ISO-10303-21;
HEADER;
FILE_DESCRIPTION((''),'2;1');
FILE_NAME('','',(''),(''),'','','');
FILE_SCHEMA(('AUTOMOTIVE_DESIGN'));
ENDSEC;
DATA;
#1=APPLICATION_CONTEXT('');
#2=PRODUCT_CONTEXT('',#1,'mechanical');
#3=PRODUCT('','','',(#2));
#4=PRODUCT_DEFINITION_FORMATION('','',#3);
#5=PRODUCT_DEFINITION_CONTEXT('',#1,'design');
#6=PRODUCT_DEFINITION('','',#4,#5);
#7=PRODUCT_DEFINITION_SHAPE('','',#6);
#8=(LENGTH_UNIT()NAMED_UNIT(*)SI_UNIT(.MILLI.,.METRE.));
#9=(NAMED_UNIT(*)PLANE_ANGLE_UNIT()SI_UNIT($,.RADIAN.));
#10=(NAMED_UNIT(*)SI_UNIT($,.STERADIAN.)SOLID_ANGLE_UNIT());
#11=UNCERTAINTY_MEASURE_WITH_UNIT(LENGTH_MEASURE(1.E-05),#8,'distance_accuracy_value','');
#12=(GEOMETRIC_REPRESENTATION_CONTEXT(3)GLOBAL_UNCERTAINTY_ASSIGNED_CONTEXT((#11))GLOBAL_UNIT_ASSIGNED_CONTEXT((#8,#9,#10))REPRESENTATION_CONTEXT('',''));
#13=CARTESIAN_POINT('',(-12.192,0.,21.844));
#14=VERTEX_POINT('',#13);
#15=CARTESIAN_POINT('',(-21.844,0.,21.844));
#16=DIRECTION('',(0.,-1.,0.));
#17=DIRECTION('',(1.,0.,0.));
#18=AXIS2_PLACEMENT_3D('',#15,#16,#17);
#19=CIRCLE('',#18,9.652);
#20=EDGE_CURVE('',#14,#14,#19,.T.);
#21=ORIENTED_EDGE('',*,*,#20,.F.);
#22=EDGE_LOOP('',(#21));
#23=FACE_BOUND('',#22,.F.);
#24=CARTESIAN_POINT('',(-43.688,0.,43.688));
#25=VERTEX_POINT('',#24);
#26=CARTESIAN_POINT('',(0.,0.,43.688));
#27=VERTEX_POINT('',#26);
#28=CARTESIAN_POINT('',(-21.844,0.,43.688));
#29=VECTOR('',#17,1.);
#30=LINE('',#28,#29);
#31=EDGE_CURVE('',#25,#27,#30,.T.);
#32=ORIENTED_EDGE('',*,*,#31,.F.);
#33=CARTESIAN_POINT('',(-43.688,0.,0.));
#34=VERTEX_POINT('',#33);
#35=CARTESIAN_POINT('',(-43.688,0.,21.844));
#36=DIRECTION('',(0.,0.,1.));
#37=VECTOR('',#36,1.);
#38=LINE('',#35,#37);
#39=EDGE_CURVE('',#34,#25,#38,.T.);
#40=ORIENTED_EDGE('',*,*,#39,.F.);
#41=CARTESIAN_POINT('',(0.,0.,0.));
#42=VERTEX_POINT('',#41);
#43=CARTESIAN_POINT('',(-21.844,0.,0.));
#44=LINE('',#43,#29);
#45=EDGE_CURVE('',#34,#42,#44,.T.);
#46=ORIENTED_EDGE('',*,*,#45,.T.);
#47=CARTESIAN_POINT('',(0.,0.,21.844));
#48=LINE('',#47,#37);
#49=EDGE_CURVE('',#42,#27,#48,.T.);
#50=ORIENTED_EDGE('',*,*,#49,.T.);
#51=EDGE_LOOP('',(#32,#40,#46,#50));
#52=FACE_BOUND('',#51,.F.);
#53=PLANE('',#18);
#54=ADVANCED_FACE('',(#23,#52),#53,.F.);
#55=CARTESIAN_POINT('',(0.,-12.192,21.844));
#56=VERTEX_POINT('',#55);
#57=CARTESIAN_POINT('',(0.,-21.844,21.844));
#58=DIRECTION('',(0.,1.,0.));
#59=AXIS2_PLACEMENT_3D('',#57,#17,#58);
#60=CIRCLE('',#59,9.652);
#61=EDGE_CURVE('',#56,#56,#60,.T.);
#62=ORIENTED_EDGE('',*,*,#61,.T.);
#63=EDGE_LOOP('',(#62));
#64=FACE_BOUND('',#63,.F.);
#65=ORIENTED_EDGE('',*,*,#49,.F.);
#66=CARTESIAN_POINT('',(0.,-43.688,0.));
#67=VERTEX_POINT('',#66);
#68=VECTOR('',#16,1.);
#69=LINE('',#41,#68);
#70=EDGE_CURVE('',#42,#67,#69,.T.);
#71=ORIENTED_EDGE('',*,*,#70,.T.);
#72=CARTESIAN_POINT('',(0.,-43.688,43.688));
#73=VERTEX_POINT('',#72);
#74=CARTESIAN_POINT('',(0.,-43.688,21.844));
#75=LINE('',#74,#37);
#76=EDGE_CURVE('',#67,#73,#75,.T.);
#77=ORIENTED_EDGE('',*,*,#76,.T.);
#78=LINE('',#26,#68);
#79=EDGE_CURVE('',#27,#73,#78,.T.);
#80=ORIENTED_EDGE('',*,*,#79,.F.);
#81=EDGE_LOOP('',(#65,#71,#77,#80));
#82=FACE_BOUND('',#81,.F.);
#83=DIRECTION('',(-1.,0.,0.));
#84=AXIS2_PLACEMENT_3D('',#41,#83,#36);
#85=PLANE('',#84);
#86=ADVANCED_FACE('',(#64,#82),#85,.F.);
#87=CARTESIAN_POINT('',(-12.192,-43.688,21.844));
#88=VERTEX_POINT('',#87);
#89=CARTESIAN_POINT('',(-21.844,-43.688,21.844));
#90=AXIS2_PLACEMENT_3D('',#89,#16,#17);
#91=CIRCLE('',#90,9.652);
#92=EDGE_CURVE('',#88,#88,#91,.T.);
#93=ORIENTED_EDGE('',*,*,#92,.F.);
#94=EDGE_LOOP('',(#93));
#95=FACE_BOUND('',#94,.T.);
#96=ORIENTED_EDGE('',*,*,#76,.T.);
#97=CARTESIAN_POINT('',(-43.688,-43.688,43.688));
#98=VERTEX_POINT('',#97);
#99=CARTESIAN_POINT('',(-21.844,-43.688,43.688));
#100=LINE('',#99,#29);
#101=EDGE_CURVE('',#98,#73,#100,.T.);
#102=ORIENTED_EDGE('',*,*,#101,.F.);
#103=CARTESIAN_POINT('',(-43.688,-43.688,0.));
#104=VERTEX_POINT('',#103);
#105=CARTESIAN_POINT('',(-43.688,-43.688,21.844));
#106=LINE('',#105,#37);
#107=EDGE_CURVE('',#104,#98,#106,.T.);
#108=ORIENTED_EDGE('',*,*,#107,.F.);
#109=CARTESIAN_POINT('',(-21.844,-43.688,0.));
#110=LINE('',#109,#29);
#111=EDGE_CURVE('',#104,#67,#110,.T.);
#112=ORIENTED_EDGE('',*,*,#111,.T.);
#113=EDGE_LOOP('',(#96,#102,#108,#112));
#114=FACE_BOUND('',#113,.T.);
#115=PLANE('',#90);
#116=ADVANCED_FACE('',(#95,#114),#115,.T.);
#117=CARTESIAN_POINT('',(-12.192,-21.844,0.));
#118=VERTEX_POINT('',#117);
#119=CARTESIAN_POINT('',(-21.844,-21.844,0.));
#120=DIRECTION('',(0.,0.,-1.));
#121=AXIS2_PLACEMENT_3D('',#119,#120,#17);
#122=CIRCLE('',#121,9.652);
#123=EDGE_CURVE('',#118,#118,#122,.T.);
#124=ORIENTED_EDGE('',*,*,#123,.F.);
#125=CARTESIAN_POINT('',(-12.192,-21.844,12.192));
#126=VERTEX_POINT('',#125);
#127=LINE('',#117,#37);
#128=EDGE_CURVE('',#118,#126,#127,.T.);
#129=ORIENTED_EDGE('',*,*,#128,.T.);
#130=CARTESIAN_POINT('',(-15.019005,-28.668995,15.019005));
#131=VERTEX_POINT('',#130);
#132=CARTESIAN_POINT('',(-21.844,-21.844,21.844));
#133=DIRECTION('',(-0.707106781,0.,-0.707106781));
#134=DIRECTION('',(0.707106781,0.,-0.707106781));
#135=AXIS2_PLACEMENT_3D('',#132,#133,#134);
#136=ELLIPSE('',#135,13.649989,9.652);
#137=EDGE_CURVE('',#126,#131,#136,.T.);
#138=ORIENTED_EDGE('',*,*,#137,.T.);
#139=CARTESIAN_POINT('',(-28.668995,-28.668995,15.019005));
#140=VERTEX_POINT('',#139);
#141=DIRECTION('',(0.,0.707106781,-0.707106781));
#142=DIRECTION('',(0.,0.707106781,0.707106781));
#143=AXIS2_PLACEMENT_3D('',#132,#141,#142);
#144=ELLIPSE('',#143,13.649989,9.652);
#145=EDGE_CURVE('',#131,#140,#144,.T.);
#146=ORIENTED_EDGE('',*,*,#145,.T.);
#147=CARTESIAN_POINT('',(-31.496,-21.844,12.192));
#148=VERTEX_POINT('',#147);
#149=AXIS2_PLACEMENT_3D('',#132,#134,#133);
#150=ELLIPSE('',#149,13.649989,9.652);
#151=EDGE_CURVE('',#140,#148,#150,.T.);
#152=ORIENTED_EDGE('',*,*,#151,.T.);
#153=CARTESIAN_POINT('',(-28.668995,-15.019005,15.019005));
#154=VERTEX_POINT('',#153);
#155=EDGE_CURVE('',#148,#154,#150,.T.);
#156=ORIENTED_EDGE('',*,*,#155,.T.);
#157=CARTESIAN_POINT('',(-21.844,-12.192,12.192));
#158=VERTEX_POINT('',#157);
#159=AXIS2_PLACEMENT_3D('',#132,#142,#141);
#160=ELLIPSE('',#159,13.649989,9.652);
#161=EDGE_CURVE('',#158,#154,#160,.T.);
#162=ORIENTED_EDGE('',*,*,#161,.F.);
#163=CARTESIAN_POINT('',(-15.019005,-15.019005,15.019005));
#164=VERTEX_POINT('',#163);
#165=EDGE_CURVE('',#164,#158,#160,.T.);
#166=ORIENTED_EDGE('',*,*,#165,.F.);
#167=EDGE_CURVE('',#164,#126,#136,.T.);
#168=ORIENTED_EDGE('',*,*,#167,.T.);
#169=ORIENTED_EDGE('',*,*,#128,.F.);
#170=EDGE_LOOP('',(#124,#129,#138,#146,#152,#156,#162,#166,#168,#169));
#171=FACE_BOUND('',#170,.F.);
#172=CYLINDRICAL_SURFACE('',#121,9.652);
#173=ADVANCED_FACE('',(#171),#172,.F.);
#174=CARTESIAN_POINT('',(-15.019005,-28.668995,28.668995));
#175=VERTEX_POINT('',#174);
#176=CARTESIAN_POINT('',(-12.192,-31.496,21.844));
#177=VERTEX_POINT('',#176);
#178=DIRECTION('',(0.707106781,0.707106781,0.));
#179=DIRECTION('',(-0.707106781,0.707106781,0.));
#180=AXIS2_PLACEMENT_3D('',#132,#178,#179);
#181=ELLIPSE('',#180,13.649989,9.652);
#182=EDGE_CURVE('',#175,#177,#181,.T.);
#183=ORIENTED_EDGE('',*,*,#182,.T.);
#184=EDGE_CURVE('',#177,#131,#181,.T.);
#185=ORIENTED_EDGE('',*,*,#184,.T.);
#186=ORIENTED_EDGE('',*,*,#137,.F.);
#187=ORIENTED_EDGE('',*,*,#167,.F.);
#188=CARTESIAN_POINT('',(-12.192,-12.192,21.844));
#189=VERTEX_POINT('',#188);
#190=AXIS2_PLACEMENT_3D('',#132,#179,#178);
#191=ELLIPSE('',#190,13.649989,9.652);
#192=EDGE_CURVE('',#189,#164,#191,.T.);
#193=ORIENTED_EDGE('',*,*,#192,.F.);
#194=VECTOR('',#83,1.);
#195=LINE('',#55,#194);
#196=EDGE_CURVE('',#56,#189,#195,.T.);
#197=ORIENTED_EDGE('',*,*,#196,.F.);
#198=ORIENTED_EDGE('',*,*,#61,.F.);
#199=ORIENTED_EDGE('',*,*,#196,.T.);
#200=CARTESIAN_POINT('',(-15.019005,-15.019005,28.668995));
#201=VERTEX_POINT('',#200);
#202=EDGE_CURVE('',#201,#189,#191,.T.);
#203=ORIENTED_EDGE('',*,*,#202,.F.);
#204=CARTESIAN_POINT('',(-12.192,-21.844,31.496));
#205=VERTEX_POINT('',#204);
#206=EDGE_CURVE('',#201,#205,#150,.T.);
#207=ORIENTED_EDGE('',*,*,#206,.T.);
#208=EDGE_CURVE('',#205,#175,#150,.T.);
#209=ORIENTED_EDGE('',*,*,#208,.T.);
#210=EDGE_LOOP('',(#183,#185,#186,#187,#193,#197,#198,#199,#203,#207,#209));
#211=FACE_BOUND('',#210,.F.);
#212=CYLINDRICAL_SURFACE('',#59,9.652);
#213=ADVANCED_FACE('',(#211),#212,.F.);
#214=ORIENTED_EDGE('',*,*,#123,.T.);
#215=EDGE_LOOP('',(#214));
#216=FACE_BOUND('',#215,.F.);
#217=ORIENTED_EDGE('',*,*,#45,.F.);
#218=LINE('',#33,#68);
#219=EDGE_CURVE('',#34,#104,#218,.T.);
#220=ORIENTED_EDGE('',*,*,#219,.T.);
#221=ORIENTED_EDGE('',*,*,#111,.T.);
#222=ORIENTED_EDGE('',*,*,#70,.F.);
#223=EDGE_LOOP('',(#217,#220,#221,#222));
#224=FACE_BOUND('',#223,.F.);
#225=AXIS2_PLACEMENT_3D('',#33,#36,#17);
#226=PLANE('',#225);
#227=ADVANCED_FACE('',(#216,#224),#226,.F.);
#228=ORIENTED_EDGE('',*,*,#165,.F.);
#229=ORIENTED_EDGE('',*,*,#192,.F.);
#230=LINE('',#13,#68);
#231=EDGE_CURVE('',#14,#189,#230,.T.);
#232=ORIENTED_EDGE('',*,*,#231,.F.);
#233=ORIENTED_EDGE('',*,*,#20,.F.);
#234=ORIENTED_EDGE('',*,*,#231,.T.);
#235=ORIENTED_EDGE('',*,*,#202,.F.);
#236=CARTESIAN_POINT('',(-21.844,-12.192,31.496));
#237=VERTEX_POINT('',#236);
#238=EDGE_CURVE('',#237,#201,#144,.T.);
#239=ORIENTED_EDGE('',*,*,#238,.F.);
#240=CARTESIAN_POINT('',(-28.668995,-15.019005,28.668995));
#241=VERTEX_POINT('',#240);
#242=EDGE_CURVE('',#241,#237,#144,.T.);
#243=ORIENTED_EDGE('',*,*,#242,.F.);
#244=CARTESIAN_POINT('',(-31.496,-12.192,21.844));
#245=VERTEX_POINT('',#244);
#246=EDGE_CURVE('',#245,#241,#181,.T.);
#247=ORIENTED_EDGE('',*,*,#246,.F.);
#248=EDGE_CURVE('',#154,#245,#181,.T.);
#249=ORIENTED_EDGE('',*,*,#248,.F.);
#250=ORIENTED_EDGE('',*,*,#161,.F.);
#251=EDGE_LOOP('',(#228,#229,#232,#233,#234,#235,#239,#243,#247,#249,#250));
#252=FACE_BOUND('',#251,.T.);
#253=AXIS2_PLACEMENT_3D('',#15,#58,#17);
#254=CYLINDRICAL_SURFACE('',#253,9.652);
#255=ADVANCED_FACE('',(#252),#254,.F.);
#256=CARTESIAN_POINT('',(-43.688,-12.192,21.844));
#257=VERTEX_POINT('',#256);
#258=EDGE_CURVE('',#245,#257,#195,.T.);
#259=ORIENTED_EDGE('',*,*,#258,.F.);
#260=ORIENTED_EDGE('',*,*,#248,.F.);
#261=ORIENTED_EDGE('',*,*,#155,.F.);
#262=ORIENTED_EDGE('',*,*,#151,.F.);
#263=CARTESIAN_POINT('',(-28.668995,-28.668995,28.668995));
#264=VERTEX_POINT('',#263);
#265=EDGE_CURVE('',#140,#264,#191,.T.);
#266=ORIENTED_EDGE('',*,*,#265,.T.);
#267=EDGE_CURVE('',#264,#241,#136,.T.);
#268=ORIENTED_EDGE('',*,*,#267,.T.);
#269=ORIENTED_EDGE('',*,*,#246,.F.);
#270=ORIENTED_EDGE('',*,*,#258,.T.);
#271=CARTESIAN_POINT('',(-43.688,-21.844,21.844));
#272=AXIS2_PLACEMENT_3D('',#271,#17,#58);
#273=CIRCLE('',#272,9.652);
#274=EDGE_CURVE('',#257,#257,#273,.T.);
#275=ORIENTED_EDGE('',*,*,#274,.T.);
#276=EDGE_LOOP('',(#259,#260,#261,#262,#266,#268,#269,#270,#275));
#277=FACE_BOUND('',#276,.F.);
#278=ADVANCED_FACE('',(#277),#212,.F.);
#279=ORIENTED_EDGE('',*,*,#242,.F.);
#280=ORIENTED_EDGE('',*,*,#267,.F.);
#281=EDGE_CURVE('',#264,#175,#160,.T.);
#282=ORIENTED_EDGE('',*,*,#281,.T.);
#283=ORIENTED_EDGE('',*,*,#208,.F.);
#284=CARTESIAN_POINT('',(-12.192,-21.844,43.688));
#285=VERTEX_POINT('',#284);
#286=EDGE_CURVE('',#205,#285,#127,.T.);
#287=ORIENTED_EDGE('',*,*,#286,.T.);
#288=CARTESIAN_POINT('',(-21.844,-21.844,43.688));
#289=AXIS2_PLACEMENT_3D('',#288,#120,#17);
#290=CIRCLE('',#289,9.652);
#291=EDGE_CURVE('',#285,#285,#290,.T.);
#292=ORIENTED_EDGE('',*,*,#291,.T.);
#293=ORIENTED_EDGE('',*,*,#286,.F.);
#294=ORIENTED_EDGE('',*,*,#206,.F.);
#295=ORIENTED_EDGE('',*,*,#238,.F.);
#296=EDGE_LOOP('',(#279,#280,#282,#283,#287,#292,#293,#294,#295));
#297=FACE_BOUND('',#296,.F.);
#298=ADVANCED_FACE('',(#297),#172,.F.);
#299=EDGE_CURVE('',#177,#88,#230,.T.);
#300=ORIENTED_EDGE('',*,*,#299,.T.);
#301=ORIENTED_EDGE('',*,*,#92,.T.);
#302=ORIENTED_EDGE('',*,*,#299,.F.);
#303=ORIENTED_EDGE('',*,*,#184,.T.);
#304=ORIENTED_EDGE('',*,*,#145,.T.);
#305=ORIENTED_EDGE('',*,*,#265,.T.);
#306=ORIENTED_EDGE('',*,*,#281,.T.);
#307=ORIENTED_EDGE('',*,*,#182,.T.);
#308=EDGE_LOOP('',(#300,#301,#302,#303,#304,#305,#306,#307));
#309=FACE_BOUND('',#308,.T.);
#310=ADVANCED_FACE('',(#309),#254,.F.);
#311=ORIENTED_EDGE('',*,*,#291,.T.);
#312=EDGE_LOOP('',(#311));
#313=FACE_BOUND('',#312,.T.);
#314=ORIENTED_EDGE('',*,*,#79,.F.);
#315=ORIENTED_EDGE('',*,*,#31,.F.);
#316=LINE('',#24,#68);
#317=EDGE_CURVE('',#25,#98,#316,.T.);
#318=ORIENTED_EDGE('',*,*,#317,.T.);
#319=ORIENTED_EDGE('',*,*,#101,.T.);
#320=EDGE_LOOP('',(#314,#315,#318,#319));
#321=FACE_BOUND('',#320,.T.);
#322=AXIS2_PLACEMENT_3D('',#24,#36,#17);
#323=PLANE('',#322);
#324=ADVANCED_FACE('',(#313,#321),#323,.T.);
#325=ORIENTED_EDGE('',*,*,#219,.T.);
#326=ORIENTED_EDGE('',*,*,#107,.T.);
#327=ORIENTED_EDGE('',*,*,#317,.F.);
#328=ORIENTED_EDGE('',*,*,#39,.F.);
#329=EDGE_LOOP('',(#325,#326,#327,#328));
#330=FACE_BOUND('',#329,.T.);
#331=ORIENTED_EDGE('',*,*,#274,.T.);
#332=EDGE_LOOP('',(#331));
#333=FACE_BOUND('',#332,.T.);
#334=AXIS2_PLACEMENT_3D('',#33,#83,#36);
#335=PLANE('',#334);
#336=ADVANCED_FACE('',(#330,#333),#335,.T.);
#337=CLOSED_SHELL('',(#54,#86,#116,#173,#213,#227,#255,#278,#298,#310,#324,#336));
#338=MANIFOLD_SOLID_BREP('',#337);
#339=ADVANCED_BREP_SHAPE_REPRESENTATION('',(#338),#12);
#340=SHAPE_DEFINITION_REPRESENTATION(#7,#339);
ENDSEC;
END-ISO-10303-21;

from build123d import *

# Parameters (mm, degrees)
F0_W     = 43.688
F0_H     = 43.688
F0_R     = 9.652
F1_DEPTH = 43.688
F2_R     = 9.652
F3_DEPTH = 43.689
F4_R     = 9.652
F5_DEPTH = 43.689


with BuildPart() as f1:
    # F0 (on Front) → F1 (new body)
    with BuildSketch(Plane.XZ):
        with Locations((-21.844, 21.844)):
            Rectangle(F0_W, F0_H)
        with Locations((-21.844, 21.844)):
            Circle(F0_R, mode=Mode.SUBTRACT)
    extrude(amount=F1_DEPTH)

    # F2 (on face) → F3 (cut, through all)
    with BuildSketch(Plane(origin=(0, 0, 0), x_dir=(1, 0, 0), z_dir=(0, 0, -1))):
        with Locations((-21.844, 21.844)):
            Circle(F2_R)
    extrude(amount=-F3_DEPTH, mode=Mode.SUBTRACT)

    # F4 (on Right) → F5 (cut, through all)
    with BuildSketch(Plane.YZ):
        with Locations((-21.844, 21.844)):
            Circle(F4_R)
    extrude(amount=-F5_DEPTH, mode=Mode.SUBTRACT)


solid = f1.part
